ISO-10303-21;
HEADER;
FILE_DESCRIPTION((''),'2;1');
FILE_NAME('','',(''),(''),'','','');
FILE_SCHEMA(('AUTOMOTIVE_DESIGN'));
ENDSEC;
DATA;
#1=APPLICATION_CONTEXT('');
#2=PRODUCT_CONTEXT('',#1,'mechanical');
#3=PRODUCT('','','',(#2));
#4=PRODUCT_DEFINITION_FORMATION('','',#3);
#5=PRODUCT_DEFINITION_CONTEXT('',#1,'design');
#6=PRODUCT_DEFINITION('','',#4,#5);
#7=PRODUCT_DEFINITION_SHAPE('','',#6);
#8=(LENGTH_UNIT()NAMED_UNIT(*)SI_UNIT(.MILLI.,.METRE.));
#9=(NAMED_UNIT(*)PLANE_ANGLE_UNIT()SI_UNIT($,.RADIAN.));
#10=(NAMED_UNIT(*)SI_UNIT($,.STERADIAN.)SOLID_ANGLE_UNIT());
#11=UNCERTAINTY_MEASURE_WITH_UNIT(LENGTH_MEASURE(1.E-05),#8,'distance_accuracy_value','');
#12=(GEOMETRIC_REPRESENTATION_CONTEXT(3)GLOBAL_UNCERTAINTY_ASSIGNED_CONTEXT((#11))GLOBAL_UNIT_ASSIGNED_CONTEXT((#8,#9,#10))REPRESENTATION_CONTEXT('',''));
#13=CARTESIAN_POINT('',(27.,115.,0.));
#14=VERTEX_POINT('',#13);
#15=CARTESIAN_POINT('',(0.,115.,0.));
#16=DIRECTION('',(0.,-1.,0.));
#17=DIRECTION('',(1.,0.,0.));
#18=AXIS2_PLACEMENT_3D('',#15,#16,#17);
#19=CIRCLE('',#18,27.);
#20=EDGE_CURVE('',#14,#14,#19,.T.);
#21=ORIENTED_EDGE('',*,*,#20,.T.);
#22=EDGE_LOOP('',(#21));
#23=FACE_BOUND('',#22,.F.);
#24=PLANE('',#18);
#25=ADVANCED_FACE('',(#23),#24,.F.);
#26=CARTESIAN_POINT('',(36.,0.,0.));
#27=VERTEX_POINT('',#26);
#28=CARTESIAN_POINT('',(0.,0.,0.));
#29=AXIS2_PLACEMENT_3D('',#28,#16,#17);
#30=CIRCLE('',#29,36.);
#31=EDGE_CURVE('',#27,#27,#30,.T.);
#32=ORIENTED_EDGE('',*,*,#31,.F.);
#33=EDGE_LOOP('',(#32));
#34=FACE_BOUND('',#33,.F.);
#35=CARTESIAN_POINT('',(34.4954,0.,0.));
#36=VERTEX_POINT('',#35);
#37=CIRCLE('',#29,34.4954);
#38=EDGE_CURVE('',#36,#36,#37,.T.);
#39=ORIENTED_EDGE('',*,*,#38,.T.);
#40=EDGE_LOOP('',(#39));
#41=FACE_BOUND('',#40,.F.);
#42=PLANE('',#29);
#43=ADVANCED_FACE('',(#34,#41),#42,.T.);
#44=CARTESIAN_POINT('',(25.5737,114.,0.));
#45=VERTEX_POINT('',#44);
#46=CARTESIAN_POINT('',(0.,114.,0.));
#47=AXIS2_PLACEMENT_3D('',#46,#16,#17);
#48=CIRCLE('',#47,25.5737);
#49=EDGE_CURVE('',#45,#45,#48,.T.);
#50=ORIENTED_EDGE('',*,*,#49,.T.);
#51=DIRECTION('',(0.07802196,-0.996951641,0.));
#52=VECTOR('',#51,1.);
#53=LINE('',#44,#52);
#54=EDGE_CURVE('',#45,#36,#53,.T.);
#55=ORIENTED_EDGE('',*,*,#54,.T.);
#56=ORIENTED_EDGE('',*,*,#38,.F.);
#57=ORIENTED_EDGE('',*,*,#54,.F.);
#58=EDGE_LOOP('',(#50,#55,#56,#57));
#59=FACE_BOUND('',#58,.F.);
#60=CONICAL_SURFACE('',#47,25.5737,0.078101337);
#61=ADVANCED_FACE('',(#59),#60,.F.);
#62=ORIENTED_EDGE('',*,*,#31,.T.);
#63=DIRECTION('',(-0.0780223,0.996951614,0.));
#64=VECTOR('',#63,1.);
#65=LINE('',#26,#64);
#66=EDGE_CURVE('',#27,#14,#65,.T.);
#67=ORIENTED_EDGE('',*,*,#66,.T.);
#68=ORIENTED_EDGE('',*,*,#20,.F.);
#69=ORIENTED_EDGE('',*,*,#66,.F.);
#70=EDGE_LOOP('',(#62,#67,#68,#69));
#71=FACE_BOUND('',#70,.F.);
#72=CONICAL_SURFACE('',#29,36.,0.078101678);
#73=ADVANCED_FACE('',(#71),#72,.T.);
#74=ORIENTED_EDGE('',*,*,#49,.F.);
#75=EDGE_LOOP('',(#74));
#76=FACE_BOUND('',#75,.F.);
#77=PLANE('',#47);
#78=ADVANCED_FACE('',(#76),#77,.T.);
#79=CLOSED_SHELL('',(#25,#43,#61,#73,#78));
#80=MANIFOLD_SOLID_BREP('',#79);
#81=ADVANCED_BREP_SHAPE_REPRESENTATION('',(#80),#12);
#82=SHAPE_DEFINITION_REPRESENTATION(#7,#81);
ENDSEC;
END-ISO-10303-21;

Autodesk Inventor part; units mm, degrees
ref_plane "YZ Plane" through (0, 0, 0) normal (1, 0, 0) x (0, 1, 0)
ref_plane "XZ Plane" through (0, 0, 0) normal (0, 1, 0) x (-1, 0, 0)
ref_plane "XY Plane" through (0, 0, 0) normal (0, 0, 1) x (1, 0, 0)
sketch "Esquisse2" plane through (0, 0, 0) normal (0, 0, 1) x (1, 0, 0)
  line L0 (0, 0) -> (36, 0)
  line L1 (36, 0) -> (27, 115)
  line L2 (27, 115) -> (0, 115)
  line L3 (0, 115) -> (0, 0)
  line L4 (0, 114) -> (25.5737, 114)
  line L5 (25.5737, 114) -> (34.4954, 0)
  dimension "d3" = 27
  dimension "d4" = 36
  dimension "d5" = 115
  dimension "d8" = 1.5
  dimension "d9" = 1
revolve "Révolution2" add sketch "Esquisse2" angle 360 about axis through (0, 115, 0) along (0, -1, 0) contours L5 L4 L3 L2 L1 L0
properties part number "boue"
